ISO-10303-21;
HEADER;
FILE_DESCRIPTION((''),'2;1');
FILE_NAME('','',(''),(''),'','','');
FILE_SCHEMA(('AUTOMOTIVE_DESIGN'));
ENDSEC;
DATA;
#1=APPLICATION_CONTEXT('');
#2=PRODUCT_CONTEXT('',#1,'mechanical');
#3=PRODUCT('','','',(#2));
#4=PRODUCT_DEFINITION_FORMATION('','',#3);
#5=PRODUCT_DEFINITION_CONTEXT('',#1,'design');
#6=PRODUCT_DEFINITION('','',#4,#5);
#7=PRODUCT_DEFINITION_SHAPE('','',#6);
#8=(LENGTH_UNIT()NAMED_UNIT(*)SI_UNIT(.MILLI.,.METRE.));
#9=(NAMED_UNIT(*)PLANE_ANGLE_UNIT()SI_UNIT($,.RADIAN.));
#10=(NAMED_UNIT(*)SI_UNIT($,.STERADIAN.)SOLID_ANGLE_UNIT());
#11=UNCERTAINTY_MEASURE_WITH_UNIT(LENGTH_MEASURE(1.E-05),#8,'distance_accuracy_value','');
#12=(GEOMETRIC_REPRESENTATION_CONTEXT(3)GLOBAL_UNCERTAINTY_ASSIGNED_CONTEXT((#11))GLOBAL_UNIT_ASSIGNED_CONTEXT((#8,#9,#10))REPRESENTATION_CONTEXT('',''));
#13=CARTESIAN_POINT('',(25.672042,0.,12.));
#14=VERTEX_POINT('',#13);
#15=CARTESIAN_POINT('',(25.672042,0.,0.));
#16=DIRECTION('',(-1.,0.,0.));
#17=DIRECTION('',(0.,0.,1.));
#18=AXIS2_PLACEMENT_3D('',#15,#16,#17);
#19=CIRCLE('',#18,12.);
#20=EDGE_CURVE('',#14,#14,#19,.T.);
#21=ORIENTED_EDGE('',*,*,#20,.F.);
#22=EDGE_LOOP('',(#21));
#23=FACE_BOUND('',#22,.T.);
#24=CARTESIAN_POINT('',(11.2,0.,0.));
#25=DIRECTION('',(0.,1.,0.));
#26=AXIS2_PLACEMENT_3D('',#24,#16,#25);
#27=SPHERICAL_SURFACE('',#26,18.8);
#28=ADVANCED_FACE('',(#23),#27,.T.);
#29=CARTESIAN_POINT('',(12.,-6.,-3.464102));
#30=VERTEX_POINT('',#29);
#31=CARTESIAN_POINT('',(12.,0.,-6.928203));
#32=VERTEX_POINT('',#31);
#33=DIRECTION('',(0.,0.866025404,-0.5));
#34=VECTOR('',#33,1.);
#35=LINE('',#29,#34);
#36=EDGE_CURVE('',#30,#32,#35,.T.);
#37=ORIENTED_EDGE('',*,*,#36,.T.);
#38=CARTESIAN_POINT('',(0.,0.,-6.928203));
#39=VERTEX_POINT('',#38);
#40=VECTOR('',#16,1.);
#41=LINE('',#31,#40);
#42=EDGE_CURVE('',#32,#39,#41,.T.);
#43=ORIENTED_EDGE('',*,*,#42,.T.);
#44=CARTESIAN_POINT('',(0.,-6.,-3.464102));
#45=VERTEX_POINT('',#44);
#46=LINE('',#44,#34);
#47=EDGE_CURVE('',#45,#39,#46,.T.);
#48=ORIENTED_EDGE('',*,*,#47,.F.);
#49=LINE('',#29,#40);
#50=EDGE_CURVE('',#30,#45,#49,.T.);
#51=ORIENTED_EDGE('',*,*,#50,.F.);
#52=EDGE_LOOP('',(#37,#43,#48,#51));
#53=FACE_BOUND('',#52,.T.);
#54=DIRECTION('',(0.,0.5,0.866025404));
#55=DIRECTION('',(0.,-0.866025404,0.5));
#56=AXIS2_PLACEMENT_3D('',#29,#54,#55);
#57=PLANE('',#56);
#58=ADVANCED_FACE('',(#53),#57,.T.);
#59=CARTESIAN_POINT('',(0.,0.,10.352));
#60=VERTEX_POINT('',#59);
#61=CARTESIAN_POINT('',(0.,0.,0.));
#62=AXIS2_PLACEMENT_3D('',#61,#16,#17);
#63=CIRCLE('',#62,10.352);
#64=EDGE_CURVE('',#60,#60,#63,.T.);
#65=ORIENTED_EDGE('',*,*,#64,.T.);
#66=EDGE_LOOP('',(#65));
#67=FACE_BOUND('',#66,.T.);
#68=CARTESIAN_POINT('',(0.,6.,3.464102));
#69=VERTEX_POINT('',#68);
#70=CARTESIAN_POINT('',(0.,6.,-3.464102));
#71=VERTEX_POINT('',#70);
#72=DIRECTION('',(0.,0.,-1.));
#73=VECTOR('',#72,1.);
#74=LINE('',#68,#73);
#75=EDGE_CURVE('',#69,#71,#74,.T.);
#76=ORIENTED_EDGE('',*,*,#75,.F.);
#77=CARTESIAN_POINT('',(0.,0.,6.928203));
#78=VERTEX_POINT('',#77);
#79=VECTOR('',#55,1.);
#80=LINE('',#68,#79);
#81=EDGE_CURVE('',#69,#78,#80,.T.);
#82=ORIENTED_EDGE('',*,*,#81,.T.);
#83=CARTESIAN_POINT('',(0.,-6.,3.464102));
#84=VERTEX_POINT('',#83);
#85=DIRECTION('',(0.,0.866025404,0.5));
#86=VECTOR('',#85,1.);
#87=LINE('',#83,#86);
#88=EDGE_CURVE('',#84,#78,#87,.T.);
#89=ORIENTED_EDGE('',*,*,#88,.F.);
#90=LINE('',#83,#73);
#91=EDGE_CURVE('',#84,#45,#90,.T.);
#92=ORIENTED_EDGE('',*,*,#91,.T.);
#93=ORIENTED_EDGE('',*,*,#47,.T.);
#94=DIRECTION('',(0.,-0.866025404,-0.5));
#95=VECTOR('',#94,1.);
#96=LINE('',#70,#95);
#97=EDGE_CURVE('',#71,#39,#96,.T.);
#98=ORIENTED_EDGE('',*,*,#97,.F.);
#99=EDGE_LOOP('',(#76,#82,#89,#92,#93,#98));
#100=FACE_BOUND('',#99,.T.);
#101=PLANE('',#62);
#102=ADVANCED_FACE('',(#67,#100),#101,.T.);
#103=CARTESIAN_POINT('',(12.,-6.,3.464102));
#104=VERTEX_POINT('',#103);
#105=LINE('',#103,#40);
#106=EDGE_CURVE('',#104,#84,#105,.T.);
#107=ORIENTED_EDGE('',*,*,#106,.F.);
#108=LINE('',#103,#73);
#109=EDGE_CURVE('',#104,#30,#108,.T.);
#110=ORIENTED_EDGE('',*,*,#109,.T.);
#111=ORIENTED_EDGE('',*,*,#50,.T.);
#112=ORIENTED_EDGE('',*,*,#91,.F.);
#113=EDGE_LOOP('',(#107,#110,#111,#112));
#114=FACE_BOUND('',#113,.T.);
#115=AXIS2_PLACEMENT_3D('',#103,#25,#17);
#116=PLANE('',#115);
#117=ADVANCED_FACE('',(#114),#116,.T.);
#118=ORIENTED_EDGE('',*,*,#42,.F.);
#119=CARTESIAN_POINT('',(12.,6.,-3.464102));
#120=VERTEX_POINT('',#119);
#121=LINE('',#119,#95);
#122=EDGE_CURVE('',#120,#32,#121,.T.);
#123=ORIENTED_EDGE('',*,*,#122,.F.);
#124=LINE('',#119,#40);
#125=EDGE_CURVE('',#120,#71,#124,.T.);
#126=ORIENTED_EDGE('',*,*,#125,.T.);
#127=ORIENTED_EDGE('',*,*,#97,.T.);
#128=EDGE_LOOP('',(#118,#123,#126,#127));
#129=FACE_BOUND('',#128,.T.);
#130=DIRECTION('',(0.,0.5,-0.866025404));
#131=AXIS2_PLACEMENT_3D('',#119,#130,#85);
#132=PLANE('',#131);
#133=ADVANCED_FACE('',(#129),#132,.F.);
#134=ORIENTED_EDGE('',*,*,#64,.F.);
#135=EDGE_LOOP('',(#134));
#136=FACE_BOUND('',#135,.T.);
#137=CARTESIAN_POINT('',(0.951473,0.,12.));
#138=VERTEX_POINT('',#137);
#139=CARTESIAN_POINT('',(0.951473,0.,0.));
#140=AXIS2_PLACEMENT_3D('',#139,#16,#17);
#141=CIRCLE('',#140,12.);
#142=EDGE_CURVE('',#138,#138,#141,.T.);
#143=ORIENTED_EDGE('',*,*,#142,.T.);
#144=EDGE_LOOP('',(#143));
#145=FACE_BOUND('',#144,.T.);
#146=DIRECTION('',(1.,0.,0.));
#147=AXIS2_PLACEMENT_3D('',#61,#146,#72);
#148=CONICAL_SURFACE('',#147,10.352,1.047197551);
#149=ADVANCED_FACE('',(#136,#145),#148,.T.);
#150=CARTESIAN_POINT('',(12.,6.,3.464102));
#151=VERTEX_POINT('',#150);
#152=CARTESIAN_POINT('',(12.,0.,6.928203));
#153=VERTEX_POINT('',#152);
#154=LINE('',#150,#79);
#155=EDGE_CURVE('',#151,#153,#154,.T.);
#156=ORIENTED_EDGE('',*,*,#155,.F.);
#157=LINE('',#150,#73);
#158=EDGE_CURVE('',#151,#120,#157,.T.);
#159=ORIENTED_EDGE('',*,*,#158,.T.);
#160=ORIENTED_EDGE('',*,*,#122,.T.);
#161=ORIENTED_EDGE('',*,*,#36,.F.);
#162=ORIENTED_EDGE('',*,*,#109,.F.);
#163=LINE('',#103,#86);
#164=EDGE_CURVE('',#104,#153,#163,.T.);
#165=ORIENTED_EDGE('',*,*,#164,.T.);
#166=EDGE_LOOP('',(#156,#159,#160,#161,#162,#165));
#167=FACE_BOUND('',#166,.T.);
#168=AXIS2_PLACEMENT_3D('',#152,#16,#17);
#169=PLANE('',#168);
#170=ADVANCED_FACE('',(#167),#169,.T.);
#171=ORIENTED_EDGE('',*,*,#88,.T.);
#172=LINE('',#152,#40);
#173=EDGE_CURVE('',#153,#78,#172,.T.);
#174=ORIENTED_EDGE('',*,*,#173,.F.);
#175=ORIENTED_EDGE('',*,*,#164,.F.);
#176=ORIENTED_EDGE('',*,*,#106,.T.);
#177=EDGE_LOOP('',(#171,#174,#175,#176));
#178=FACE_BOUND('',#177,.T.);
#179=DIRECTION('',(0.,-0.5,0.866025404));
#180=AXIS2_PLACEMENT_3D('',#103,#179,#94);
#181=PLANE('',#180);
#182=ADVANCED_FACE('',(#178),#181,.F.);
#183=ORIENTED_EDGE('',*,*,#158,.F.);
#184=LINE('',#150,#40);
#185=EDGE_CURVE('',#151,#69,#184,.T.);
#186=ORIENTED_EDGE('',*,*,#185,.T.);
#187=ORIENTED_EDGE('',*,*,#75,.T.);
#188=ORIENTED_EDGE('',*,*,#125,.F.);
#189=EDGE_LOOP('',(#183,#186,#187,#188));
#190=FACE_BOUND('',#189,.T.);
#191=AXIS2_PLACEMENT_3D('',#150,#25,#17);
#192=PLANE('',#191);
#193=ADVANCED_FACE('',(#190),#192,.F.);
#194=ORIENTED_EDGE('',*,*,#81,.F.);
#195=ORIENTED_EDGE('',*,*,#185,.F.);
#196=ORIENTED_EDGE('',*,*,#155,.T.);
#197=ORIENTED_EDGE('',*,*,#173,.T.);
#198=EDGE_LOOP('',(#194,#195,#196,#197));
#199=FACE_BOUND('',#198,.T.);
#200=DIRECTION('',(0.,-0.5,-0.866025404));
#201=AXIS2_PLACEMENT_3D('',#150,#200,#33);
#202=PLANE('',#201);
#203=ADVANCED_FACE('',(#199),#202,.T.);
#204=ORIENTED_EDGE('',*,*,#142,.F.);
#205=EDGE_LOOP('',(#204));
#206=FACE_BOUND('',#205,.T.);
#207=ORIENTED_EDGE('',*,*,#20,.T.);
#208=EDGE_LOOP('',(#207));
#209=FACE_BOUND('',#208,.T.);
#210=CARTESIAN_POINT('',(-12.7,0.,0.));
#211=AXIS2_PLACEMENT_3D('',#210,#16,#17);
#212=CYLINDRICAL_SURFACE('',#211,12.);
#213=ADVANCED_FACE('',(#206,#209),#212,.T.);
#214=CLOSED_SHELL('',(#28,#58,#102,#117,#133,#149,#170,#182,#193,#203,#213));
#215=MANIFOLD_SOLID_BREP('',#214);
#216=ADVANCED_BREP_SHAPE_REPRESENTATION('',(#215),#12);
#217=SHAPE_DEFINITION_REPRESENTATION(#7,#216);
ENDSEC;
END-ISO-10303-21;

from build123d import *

# Parameters (mm, degrees)
HEX_2_DEPTH = 12


with BuildPart() as part:
    # BodySke → BaseBody (revolve)
    with BuildSketch(Plane.XY, mode=Mode.PRIVATE) as basebody_sk:
        with BuildLine():
            Line((0, 0), (0, 10.352))
            Line((0, 10.352), (0.951473244, 12))
            Line((0.951473244, 12), (25.672042012, 12))
            ThreePointArc((25.672042012, 12), (28.884942604, 6.378307384), (30, 0))
            Line((30, 0), (0, 0))
        make_face()
    revolve(basebody_sk.sketch.rotate(Axis((-12.7, 0, 0), (1, 0, 0)), 90), axis=Axis((-12.7, 0, 0), (1, 0, 0)))

    # Sketch2 → Hex 2 (cut)
    with BuildSketch(Plane.ZY):
        Polygon((3.464101615, 6), (-3.464101615, 6), (-6.92820323, 0), (-3.464101615, -6), (3.464101615, -6), (6.92820323, 0), align=None)
    extrude(amount=-HEX_2_DEPTH, mode=Mode.SUBTRACT)


solid = part.part
